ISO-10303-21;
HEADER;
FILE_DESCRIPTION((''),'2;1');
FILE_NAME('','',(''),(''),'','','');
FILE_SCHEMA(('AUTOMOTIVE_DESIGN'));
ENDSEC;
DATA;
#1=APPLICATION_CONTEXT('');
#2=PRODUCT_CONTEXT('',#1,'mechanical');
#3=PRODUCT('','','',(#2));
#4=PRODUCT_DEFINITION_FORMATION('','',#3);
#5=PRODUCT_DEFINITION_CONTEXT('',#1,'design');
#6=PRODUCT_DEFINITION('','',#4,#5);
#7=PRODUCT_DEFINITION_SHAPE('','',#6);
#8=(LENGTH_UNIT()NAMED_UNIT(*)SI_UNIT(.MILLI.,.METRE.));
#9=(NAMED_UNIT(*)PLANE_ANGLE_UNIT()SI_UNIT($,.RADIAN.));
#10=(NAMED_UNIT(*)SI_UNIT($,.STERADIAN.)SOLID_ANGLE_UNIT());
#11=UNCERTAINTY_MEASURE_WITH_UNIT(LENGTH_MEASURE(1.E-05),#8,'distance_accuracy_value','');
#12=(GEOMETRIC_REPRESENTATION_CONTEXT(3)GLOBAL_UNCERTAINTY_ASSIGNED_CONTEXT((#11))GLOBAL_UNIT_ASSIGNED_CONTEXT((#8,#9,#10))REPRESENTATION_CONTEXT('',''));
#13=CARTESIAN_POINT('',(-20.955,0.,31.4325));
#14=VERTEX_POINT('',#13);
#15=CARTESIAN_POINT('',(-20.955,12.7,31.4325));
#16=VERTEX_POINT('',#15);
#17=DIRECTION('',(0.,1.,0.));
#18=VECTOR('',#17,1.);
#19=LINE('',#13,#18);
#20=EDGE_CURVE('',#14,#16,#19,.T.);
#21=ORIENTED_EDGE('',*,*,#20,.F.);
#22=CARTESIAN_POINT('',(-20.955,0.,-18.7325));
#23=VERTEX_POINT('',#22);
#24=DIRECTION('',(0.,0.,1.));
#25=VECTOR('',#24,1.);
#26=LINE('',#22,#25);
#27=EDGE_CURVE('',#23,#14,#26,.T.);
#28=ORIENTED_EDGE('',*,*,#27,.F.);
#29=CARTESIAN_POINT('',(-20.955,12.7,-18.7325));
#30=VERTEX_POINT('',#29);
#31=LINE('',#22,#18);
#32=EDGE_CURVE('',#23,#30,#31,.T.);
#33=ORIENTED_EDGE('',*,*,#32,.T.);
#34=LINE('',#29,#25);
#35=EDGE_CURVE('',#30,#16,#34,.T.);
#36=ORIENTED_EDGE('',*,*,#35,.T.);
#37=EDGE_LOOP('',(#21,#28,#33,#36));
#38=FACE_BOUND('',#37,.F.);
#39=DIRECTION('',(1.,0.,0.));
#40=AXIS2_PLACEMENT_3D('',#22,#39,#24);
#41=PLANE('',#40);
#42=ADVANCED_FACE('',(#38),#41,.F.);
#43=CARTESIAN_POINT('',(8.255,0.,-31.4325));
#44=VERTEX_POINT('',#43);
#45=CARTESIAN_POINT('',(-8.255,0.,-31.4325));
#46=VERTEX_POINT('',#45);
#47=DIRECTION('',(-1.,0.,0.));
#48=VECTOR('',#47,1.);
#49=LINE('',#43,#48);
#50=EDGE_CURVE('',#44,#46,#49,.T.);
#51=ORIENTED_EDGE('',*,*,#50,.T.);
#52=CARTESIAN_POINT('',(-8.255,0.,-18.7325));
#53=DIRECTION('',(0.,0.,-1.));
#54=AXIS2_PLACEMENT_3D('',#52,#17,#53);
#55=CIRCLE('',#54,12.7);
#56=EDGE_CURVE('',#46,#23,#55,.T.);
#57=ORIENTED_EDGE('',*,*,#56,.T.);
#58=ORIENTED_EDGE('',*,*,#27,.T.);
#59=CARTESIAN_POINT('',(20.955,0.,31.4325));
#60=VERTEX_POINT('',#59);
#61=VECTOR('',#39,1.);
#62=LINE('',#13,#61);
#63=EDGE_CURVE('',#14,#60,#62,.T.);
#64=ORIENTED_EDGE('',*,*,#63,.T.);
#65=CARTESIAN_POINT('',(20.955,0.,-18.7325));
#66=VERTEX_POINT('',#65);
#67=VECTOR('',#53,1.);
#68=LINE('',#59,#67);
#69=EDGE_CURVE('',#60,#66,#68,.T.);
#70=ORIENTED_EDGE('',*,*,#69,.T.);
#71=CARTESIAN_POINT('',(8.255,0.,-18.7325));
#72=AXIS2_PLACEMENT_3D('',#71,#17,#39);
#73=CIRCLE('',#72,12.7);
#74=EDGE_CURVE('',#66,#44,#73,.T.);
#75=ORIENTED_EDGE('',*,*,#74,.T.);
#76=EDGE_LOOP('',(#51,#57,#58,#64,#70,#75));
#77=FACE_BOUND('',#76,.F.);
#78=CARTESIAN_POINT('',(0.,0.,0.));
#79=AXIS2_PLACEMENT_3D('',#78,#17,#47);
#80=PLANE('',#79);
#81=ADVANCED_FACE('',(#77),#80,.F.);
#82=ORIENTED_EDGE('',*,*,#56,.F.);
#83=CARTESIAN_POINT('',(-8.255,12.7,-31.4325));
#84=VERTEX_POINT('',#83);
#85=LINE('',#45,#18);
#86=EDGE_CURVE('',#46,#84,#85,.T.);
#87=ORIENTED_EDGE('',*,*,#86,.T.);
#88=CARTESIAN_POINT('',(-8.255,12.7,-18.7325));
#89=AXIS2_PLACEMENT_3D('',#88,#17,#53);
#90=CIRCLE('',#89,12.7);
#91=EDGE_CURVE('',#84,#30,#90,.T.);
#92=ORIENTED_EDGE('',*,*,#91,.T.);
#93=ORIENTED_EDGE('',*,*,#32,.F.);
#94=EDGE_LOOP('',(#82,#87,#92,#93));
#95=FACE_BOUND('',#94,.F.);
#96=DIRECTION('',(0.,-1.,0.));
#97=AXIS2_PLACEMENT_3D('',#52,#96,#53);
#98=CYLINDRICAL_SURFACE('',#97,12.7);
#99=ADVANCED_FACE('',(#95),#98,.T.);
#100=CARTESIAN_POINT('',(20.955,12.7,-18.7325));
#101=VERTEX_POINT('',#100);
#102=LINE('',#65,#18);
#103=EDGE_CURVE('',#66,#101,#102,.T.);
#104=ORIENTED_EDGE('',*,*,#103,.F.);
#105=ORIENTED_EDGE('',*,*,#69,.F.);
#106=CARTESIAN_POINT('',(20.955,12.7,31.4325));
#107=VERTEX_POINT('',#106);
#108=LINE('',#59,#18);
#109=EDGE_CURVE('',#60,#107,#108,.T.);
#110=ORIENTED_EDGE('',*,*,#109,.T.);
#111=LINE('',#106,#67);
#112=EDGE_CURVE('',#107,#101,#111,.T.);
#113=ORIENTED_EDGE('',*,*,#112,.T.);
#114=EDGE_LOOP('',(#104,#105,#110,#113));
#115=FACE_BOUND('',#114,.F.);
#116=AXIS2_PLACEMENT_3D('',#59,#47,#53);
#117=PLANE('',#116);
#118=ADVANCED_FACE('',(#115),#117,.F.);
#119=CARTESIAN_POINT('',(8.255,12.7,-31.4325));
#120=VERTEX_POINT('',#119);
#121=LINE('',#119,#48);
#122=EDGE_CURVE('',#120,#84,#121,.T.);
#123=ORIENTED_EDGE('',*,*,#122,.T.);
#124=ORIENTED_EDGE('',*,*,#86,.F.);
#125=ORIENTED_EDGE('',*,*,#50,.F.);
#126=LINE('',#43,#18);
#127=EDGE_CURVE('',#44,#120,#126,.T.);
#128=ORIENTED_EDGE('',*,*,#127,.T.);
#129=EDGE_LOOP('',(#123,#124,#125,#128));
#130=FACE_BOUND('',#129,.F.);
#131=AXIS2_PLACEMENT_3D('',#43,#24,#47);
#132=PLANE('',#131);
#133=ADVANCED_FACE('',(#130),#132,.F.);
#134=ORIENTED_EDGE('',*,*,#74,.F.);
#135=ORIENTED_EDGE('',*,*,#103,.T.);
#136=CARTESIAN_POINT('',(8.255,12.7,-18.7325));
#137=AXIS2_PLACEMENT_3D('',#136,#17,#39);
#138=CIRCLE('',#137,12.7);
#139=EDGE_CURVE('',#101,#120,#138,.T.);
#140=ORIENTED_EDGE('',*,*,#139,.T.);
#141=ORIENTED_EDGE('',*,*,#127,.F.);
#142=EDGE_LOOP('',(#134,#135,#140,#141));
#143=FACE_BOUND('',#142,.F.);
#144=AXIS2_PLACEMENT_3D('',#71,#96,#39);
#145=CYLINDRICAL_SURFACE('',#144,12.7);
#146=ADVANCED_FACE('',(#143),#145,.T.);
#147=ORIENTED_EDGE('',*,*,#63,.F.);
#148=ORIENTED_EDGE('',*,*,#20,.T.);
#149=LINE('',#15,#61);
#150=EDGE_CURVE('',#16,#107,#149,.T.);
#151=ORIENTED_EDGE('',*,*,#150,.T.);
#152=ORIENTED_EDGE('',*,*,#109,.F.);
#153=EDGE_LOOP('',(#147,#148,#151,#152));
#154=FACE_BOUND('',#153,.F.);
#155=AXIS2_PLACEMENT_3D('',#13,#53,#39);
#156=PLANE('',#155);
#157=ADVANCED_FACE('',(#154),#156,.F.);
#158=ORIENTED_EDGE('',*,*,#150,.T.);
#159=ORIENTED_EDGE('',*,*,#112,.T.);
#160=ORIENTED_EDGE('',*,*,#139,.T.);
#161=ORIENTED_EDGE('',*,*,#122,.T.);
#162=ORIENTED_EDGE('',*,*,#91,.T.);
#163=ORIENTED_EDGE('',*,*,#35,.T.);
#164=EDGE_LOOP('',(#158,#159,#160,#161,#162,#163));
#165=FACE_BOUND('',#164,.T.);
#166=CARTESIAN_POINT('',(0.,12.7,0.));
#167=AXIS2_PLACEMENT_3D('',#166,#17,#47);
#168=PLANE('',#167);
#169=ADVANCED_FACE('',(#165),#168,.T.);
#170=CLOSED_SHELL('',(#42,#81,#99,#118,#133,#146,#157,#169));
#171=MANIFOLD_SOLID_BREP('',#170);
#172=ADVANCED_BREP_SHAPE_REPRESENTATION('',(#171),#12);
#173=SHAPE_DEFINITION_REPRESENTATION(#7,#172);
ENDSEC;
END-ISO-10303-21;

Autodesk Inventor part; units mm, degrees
ref_plane "YZ Plane" through (0, 0, 0) normal (1, 0, 0) x (0, 1, 0)
ref_plane "XZ Plane" through (0, 0, 0) normal (0, 1, 0) x (-1, 0, 0)
ref_plane "XY Plane" through (0, 0, 0) normal (0, 0, 1) x (1, 0, 0)
sketch "Sketch1" plane through (0, 0, 0) normal (0, 1, 0) x (-1, 0, 0)
  line L0 (-8.255, -31.4325) -> (8.255, -31.4325)
  line L1 (20.955, -18.7325) -> (20.955, 31.4325)
  line L2 (20.955, 31.4325) -> (-20.955, 31.4325)
  line L3 (-20.955, 31.4325) -> (-20.955, -18.7325)
  line L4 (-20.955, -31.4325) -> (20.955, 31.4325) construction
  line L5 (20.955, -31.4325) -> (-20.955, 31.4325) construction
  arc A0 (8.255, -31.4325) -> (20.955, -18.7325) centre (8.255, -18.7325) ccw
  arc A1 (-20.955, -18.7325) -> (-8.255, -31.4325) centre (-8.255, -18.7325) ccw
  point P0 (0, 0)
  dimension "d0" = 62.865
  dimension "d1" = 41.91
  dimension "d2" = 12.7
extrude "Extrusion1" add sketch "Sketch1" along normal blind 12.7
properties part number "Fixture_Airpot_Support_2"
